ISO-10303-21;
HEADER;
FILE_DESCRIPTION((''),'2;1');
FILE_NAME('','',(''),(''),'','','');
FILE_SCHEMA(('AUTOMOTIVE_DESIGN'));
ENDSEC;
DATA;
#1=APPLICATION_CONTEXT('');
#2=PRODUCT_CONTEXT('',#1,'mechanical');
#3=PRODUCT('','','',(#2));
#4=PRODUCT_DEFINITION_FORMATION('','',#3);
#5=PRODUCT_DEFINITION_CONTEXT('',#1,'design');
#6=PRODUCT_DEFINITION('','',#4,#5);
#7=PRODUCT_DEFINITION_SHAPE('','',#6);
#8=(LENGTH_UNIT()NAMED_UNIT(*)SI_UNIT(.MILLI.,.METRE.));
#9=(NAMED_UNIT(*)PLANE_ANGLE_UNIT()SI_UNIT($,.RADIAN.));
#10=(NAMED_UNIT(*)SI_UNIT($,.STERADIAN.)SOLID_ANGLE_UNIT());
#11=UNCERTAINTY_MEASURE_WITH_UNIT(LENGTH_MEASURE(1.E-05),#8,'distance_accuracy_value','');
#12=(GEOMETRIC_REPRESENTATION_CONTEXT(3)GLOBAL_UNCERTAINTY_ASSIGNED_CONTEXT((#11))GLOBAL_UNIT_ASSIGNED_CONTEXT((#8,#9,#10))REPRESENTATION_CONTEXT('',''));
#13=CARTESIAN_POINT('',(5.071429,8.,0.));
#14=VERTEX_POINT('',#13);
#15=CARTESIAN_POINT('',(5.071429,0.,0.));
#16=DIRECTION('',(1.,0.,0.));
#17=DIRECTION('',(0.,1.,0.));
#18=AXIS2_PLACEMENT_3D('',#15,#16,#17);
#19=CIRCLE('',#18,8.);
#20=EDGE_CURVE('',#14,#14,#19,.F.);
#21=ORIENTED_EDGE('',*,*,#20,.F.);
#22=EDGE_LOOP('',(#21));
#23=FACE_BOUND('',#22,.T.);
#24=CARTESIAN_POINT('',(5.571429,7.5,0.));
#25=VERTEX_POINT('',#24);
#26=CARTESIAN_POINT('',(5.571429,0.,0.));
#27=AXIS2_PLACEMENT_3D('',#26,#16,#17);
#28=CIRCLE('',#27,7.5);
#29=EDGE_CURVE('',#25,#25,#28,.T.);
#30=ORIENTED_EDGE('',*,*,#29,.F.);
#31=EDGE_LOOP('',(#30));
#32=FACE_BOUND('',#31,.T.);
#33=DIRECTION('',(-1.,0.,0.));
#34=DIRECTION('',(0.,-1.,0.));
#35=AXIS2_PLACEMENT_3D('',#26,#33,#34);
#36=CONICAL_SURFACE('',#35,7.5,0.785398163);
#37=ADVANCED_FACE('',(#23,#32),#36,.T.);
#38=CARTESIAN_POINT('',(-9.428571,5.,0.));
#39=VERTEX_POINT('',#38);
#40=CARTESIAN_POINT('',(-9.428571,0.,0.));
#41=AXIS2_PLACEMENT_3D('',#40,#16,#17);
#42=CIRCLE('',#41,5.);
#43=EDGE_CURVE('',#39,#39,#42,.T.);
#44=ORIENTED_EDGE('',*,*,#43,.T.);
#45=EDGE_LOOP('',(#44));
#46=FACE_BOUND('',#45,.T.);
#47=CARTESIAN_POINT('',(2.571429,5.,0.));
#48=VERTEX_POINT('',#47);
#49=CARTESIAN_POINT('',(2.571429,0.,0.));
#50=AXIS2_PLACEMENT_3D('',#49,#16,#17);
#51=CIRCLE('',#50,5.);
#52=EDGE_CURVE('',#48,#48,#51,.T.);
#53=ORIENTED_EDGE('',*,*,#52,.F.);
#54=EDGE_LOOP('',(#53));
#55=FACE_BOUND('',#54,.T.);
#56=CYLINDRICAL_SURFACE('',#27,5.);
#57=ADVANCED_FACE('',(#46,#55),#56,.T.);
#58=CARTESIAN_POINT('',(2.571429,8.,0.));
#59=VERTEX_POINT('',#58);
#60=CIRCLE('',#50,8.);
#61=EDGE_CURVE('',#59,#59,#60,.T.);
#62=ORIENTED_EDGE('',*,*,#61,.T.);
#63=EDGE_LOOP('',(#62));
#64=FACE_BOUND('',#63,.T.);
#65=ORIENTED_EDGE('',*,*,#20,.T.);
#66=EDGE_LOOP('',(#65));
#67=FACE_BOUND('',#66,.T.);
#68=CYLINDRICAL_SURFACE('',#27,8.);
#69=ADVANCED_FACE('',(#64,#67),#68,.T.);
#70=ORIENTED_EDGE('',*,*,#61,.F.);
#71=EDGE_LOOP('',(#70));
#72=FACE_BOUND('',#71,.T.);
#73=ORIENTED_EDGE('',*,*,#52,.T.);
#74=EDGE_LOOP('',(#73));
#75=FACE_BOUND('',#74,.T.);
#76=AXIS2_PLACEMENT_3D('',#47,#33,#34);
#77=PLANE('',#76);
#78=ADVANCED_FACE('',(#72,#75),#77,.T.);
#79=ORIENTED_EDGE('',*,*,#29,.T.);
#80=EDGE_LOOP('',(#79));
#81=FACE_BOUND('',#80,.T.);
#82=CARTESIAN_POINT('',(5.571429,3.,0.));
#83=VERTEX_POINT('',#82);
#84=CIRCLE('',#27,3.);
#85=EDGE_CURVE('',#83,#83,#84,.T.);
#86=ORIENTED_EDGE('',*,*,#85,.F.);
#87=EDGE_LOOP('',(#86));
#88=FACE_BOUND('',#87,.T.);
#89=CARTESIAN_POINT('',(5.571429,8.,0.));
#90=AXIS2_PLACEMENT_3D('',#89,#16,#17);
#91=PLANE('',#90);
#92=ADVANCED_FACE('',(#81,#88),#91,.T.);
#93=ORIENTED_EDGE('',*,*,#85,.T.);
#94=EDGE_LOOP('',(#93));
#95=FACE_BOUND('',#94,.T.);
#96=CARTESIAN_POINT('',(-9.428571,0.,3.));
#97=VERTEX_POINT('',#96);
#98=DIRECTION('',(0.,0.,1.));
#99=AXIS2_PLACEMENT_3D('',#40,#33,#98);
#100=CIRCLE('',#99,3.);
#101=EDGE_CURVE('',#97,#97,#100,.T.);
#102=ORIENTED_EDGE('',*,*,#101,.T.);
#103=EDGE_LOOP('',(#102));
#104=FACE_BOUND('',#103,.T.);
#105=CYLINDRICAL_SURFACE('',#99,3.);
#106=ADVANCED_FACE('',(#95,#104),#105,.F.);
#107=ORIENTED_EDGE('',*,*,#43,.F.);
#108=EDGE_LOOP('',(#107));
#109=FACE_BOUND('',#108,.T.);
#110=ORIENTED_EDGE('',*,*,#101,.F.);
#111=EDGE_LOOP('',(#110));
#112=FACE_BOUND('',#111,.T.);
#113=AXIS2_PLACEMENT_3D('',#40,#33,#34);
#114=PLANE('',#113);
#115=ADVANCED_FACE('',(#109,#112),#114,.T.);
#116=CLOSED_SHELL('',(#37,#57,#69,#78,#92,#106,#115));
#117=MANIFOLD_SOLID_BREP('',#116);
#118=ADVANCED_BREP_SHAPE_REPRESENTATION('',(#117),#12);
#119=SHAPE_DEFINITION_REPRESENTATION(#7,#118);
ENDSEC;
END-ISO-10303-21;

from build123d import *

# Parameters (mm, degrees)
HOLE_WIZARD_6_0_6_1_D     = 6
HOLE_WIZARD_6_0_6_1_DEPTH = 18.197418143
HOLE_WIZARD_6_0_6_1_TIP   = 1.802581857
CHAMFER_1_SIZE            = 0.5


with BuildPart() as part:
    # 草图1 → 旋转1 (revolve)
    with BuildSketch(Plane.XY):
        Polygon((-9.428571429, 0), (-9.428571429, 5), (2.571428571, 5), (2.571428571, 8), (5.571428571, 8), (5.571428571, 0), align=None)
    revolve(axis=Axis((5.571428571, 0, 0), (-1, 0, 0)))

    # Ø6.0 (6) 直径孔1
    with Locations(Plane.ZY.offset(9.428571429)):
        with Locations((0, 0)):
            Hole(HOLE_WIZARD_6_0_6_1_D / 2, depth=HOLE_WIZARD_6_0_6_1_DEPTH)
            with Locations((0, 0, -(HOLE_WIZARD_6_0_6_1_DEPTH + HOLE_WIZARD_6_0_6_1_TIP / 2))):  # 118° drill point
                Cone(0, HOLE_WIZARD_6_0_6_1_D / 2, HOLE_WIZARD_6_0_6_1_TIP, mode=Mode.SUBTRACT)

    # 倒角1
    chamfer_1_edges = [part.edges().sort_by_distance(p)[0] for p in [
        (5.571428571, -8, 0),
    ]]
    chamfer(chamfer_1_edges, length=CHAMFER_1_SIZE)


solid = part.part
